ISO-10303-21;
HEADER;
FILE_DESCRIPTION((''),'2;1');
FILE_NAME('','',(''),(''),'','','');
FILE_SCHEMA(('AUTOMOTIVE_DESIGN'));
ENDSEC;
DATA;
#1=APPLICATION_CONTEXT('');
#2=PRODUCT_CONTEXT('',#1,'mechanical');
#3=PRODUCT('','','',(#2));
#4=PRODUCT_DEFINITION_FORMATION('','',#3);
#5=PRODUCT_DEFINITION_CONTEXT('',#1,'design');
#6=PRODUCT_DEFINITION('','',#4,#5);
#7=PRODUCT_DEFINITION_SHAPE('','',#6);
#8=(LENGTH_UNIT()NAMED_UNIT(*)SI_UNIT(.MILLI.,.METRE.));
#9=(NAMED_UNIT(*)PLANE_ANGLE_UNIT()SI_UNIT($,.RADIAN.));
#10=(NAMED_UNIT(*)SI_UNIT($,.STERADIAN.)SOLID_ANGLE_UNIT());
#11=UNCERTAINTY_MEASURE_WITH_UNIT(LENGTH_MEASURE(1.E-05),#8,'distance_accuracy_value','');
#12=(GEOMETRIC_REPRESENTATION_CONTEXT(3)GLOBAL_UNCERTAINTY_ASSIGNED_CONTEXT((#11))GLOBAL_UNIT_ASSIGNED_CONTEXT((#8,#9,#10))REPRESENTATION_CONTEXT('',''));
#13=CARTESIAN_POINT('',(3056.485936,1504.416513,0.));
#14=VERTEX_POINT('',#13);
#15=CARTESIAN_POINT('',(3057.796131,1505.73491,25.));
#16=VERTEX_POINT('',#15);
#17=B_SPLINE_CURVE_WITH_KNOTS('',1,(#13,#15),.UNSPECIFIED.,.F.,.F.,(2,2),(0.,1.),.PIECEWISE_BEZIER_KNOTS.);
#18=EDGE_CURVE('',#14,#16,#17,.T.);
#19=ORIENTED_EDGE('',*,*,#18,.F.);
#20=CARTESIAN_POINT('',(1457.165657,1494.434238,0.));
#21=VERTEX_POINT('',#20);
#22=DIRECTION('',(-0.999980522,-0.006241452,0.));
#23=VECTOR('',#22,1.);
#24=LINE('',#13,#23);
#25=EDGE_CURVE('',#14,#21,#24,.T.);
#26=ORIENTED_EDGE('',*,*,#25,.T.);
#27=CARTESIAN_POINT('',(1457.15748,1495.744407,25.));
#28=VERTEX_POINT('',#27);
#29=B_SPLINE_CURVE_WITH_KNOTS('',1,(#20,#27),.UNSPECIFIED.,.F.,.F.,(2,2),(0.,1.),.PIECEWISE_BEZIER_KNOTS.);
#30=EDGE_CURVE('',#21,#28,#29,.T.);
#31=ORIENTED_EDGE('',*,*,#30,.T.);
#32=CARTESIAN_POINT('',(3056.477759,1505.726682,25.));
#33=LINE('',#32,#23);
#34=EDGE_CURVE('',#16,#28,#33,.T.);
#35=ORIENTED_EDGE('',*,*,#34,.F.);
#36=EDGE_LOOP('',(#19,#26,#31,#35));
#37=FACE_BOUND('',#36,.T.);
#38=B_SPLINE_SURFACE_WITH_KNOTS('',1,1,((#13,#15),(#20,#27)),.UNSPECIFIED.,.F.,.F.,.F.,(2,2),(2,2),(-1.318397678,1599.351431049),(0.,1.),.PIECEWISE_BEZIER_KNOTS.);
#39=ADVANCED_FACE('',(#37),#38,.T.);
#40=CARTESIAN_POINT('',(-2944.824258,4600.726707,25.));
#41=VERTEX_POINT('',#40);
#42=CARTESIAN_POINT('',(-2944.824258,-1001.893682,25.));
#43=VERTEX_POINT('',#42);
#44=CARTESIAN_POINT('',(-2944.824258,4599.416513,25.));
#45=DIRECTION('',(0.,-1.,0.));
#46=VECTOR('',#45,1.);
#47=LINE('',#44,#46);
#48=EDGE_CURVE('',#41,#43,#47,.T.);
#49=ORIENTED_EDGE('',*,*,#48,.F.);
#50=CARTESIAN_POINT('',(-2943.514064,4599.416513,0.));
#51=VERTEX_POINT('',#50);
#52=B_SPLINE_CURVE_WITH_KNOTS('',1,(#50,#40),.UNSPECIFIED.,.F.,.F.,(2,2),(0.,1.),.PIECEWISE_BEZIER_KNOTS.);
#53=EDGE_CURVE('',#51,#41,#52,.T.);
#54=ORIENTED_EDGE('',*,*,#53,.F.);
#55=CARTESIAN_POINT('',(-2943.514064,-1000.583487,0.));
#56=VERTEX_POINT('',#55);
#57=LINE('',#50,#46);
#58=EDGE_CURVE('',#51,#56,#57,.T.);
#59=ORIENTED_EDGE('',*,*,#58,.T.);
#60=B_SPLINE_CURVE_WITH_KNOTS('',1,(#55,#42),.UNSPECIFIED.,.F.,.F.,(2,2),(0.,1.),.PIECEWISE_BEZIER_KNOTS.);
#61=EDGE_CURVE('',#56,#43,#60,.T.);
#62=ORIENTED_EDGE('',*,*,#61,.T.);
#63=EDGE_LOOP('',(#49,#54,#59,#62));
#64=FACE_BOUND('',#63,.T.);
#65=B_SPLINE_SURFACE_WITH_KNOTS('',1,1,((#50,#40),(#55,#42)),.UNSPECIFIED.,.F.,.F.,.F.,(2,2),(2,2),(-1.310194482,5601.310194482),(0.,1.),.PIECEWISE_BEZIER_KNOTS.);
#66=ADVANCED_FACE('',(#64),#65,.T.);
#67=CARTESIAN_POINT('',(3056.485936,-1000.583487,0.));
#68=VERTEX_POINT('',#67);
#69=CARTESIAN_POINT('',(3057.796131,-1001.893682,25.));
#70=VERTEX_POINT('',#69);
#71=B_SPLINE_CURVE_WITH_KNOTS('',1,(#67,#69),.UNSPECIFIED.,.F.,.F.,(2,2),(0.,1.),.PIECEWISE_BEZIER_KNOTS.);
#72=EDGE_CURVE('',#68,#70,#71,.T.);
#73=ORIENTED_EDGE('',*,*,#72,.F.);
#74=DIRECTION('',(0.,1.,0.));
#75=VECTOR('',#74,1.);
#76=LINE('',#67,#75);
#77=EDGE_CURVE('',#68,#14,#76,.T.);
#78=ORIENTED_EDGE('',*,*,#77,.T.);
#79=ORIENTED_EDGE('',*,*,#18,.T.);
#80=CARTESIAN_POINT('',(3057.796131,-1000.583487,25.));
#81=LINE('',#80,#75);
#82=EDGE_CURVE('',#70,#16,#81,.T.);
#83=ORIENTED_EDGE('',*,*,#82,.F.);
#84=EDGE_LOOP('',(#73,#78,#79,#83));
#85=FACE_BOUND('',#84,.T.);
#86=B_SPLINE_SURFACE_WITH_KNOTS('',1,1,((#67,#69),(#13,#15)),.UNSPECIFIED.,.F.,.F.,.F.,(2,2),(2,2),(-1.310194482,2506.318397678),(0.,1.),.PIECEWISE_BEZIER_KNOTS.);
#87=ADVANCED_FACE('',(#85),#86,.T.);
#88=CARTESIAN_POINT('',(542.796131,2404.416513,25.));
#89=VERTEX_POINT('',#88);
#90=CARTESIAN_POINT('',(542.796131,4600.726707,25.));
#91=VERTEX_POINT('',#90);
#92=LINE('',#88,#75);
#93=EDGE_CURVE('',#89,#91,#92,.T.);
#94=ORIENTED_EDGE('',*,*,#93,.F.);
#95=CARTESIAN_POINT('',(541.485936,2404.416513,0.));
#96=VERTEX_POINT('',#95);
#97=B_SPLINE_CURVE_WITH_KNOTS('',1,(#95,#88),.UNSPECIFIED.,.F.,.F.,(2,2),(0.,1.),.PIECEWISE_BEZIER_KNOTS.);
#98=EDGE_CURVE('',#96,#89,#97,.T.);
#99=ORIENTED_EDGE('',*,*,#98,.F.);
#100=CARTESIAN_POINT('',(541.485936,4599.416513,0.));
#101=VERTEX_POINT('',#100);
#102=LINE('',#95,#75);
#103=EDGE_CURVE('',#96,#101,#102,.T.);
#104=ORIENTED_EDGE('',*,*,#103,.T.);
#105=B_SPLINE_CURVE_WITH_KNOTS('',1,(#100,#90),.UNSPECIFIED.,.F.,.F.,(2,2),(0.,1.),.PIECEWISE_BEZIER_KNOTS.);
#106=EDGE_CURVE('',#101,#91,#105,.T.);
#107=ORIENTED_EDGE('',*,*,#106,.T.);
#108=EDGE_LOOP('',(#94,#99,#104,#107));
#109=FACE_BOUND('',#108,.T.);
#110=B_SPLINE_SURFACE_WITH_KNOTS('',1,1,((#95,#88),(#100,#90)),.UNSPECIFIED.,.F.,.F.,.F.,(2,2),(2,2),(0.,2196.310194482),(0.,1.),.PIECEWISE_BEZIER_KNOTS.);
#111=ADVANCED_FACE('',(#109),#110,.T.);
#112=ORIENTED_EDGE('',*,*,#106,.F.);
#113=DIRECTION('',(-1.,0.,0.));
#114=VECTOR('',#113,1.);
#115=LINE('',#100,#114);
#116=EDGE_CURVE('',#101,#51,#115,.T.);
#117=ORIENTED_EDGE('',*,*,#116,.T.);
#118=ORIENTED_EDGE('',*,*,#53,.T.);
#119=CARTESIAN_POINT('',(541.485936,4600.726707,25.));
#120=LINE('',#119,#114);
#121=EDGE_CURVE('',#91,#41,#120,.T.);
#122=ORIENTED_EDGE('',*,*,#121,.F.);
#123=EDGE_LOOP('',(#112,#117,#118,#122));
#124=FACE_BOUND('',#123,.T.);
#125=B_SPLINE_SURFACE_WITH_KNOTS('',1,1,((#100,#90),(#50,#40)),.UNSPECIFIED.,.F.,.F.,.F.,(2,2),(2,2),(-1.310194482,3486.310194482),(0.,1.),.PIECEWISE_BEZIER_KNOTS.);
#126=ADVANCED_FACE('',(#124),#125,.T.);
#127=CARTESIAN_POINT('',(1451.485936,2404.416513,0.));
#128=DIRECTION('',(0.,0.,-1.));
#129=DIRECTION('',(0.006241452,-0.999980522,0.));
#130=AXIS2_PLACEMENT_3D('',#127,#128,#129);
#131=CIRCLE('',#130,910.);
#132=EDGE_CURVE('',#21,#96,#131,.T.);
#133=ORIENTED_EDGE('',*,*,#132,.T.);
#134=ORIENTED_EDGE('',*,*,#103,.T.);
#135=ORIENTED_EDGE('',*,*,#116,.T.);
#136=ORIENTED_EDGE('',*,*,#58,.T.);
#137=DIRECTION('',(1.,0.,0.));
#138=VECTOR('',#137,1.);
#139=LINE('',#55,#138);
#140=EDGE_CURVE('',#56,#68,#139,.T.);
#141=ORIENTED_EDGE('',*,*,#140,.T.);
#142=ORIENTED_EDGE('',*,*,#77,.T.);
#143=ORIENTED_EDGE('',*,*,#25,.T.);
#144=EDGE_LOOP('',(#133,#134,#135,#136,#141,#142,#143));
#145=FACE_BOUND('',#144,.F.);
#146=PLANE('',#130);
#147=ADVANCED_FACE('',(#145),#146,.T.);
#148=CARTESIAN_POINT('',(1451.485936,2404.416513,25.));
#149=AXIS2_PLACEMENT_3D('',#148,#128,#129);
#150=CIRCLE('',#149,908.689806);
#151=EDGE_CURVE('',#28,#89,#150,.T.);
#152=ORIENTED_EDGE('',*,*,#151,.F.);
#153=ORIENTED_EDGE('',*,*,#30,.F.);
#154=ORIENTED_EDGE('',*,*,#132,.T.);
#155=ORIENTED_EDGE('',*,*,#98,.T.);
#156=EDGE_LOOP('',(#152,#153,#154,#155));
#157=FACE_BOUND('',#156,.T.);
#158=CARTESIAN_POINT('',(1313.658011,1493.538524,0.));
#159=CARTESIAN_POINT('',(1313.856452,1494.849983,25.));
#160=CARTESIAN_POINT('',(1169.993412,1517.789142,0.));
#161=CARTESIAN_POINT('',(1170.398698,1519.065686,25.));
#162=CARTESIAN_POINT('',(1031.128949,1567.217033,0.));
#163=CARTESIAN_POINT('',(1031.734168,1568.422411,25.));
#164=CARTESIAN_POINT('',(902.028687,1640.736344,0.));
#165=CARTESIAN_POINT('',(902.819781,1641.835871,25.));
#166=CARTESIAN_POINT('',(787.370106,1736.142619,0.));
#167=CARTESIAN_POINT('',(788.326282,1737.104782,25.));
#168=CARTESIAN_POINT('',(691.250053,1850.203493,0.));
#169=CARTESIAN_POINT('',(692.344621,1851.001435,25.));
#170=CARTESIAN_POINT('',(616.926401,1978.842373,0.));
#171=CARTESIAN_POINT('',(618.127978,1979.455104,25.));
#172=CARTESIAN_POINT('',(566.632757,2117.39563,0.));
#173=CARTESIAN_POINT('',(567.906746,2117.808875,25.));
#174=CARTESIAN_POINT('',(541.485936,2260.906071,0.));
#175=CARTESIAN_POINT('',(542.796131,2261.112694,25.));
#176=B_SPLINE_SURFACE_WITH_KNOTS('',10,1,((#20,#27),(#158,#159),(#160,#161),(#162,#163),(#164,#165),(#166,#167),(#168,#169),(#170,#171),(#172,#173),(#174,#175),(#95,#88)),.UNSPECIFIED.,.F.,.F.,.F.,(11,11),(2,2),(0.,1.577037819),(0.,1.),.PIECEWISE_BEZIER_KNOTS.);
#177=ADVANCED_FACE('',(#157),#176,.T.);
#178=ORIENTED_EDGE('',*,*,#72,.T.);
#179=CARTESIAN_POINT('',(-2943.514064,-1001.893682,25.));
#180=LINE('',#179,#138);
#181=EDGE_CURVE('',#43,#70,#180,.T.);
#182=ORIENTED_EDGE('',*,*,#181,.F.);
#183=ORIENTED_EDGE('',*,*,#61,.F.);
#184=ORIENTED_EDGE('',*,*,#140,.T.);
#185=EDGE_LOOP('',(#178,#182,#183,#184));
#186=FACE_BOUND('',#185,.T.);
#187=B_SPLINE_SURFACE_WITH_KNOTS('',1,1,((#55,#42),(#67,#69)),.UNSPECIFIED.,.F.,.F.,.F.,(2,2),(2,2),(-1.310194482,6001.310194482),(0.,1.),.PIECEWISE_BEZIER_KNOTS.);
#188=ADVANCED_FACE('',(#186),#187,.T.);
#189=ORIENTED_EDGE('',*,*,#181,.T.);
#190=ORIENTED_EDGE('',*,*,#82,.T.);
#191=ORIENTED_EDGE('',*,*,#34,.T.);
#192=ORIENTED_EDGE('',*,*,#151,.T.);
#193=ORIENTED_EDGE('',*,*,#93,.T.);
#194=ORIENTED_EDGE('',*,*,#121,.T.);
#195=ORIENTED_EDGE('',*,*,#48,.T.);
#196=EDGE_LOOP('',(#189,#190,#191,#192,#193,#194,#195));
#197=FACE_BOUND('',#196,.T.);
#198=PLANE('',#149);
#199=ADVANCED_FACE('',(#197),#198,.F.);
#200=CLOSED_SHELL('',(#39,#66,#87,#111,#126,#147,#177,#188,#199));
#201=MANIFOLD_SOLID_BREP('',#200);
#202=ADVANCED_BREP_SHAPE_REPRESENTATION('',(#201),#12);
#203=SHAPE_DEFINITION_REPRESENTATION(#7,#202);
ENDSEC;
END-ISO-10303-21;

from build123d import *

# Parameters (mm, degrees)
F1_DEPTH = 25
F1_TAPER = -3


with BuildPart() as f1:
    # F0 (on Top) → F1 (new body)
    with BuildSketch(Plane.XY):
        with BuildLine():
            Line((-2943.5140639544, 4599.4165127277), (-2943.5140639544, -1000.5834872723))
            Line((-2943.5140639544, -1000.5834872723), (3056.4859360456, -1000.5834872723))
            Line((3056.4859360456, -1000.5834872723), (3056.4859360456, 1504.4165127277))
            Line((3056.4859360456, 1504.4165127277), (2766.4859360456, 1502.6064564302))
            Line((2766.4859360456, 1502.6064564302), (2476.4859360456, 1500.7964001326))
            Line((2476.4859360456, 1500.7964001326), (2186.4859360456, 1498.986343835))
            Line((2186.4859360456, 1498.986343835), (1896.4859360456, 1497.1762875374))
            Line((1896.4859360456, 1497.1762875374), (1457.1656572439, 1494.4342377536))
            ThreePointArc((1457.1656572439, 1494.4342377536), (810.0299930108, 1758.9443807614), (541.4859360456, 2404.4165127277))
            Line((541.4859360456, 2404.4165127277), (541.4859360456, 2855.2801705543))
            Line((541.4859360456, 2855.2801705543), (541.4859360456, 3145.2861896182))
            Line((541.4859360456, 3145.2861896182), (541.4859360456, 3435.292208682))
            Line((541.4859360456, 3435.292208682), (541.4859360456, 3725.2982277458))
            Line((541.4859360456, 3725.2982277458), (541.4859360456, 4015.3042468096))
            Line((541.4859360456, 4015.3042468096), (541.4859360456, 4305.3102658735))
            Line((541.4859360456, 4305.3102658735), (541.4859360456, 4599.4165127277))
            Line((541.4859360456, 4599.4165127277), (-2943.5140639544, 4599.4165127277))
        make_face()
    extrude(amount=F1_DEPTH, taper=F1_TAPER)


solid = f1.part
